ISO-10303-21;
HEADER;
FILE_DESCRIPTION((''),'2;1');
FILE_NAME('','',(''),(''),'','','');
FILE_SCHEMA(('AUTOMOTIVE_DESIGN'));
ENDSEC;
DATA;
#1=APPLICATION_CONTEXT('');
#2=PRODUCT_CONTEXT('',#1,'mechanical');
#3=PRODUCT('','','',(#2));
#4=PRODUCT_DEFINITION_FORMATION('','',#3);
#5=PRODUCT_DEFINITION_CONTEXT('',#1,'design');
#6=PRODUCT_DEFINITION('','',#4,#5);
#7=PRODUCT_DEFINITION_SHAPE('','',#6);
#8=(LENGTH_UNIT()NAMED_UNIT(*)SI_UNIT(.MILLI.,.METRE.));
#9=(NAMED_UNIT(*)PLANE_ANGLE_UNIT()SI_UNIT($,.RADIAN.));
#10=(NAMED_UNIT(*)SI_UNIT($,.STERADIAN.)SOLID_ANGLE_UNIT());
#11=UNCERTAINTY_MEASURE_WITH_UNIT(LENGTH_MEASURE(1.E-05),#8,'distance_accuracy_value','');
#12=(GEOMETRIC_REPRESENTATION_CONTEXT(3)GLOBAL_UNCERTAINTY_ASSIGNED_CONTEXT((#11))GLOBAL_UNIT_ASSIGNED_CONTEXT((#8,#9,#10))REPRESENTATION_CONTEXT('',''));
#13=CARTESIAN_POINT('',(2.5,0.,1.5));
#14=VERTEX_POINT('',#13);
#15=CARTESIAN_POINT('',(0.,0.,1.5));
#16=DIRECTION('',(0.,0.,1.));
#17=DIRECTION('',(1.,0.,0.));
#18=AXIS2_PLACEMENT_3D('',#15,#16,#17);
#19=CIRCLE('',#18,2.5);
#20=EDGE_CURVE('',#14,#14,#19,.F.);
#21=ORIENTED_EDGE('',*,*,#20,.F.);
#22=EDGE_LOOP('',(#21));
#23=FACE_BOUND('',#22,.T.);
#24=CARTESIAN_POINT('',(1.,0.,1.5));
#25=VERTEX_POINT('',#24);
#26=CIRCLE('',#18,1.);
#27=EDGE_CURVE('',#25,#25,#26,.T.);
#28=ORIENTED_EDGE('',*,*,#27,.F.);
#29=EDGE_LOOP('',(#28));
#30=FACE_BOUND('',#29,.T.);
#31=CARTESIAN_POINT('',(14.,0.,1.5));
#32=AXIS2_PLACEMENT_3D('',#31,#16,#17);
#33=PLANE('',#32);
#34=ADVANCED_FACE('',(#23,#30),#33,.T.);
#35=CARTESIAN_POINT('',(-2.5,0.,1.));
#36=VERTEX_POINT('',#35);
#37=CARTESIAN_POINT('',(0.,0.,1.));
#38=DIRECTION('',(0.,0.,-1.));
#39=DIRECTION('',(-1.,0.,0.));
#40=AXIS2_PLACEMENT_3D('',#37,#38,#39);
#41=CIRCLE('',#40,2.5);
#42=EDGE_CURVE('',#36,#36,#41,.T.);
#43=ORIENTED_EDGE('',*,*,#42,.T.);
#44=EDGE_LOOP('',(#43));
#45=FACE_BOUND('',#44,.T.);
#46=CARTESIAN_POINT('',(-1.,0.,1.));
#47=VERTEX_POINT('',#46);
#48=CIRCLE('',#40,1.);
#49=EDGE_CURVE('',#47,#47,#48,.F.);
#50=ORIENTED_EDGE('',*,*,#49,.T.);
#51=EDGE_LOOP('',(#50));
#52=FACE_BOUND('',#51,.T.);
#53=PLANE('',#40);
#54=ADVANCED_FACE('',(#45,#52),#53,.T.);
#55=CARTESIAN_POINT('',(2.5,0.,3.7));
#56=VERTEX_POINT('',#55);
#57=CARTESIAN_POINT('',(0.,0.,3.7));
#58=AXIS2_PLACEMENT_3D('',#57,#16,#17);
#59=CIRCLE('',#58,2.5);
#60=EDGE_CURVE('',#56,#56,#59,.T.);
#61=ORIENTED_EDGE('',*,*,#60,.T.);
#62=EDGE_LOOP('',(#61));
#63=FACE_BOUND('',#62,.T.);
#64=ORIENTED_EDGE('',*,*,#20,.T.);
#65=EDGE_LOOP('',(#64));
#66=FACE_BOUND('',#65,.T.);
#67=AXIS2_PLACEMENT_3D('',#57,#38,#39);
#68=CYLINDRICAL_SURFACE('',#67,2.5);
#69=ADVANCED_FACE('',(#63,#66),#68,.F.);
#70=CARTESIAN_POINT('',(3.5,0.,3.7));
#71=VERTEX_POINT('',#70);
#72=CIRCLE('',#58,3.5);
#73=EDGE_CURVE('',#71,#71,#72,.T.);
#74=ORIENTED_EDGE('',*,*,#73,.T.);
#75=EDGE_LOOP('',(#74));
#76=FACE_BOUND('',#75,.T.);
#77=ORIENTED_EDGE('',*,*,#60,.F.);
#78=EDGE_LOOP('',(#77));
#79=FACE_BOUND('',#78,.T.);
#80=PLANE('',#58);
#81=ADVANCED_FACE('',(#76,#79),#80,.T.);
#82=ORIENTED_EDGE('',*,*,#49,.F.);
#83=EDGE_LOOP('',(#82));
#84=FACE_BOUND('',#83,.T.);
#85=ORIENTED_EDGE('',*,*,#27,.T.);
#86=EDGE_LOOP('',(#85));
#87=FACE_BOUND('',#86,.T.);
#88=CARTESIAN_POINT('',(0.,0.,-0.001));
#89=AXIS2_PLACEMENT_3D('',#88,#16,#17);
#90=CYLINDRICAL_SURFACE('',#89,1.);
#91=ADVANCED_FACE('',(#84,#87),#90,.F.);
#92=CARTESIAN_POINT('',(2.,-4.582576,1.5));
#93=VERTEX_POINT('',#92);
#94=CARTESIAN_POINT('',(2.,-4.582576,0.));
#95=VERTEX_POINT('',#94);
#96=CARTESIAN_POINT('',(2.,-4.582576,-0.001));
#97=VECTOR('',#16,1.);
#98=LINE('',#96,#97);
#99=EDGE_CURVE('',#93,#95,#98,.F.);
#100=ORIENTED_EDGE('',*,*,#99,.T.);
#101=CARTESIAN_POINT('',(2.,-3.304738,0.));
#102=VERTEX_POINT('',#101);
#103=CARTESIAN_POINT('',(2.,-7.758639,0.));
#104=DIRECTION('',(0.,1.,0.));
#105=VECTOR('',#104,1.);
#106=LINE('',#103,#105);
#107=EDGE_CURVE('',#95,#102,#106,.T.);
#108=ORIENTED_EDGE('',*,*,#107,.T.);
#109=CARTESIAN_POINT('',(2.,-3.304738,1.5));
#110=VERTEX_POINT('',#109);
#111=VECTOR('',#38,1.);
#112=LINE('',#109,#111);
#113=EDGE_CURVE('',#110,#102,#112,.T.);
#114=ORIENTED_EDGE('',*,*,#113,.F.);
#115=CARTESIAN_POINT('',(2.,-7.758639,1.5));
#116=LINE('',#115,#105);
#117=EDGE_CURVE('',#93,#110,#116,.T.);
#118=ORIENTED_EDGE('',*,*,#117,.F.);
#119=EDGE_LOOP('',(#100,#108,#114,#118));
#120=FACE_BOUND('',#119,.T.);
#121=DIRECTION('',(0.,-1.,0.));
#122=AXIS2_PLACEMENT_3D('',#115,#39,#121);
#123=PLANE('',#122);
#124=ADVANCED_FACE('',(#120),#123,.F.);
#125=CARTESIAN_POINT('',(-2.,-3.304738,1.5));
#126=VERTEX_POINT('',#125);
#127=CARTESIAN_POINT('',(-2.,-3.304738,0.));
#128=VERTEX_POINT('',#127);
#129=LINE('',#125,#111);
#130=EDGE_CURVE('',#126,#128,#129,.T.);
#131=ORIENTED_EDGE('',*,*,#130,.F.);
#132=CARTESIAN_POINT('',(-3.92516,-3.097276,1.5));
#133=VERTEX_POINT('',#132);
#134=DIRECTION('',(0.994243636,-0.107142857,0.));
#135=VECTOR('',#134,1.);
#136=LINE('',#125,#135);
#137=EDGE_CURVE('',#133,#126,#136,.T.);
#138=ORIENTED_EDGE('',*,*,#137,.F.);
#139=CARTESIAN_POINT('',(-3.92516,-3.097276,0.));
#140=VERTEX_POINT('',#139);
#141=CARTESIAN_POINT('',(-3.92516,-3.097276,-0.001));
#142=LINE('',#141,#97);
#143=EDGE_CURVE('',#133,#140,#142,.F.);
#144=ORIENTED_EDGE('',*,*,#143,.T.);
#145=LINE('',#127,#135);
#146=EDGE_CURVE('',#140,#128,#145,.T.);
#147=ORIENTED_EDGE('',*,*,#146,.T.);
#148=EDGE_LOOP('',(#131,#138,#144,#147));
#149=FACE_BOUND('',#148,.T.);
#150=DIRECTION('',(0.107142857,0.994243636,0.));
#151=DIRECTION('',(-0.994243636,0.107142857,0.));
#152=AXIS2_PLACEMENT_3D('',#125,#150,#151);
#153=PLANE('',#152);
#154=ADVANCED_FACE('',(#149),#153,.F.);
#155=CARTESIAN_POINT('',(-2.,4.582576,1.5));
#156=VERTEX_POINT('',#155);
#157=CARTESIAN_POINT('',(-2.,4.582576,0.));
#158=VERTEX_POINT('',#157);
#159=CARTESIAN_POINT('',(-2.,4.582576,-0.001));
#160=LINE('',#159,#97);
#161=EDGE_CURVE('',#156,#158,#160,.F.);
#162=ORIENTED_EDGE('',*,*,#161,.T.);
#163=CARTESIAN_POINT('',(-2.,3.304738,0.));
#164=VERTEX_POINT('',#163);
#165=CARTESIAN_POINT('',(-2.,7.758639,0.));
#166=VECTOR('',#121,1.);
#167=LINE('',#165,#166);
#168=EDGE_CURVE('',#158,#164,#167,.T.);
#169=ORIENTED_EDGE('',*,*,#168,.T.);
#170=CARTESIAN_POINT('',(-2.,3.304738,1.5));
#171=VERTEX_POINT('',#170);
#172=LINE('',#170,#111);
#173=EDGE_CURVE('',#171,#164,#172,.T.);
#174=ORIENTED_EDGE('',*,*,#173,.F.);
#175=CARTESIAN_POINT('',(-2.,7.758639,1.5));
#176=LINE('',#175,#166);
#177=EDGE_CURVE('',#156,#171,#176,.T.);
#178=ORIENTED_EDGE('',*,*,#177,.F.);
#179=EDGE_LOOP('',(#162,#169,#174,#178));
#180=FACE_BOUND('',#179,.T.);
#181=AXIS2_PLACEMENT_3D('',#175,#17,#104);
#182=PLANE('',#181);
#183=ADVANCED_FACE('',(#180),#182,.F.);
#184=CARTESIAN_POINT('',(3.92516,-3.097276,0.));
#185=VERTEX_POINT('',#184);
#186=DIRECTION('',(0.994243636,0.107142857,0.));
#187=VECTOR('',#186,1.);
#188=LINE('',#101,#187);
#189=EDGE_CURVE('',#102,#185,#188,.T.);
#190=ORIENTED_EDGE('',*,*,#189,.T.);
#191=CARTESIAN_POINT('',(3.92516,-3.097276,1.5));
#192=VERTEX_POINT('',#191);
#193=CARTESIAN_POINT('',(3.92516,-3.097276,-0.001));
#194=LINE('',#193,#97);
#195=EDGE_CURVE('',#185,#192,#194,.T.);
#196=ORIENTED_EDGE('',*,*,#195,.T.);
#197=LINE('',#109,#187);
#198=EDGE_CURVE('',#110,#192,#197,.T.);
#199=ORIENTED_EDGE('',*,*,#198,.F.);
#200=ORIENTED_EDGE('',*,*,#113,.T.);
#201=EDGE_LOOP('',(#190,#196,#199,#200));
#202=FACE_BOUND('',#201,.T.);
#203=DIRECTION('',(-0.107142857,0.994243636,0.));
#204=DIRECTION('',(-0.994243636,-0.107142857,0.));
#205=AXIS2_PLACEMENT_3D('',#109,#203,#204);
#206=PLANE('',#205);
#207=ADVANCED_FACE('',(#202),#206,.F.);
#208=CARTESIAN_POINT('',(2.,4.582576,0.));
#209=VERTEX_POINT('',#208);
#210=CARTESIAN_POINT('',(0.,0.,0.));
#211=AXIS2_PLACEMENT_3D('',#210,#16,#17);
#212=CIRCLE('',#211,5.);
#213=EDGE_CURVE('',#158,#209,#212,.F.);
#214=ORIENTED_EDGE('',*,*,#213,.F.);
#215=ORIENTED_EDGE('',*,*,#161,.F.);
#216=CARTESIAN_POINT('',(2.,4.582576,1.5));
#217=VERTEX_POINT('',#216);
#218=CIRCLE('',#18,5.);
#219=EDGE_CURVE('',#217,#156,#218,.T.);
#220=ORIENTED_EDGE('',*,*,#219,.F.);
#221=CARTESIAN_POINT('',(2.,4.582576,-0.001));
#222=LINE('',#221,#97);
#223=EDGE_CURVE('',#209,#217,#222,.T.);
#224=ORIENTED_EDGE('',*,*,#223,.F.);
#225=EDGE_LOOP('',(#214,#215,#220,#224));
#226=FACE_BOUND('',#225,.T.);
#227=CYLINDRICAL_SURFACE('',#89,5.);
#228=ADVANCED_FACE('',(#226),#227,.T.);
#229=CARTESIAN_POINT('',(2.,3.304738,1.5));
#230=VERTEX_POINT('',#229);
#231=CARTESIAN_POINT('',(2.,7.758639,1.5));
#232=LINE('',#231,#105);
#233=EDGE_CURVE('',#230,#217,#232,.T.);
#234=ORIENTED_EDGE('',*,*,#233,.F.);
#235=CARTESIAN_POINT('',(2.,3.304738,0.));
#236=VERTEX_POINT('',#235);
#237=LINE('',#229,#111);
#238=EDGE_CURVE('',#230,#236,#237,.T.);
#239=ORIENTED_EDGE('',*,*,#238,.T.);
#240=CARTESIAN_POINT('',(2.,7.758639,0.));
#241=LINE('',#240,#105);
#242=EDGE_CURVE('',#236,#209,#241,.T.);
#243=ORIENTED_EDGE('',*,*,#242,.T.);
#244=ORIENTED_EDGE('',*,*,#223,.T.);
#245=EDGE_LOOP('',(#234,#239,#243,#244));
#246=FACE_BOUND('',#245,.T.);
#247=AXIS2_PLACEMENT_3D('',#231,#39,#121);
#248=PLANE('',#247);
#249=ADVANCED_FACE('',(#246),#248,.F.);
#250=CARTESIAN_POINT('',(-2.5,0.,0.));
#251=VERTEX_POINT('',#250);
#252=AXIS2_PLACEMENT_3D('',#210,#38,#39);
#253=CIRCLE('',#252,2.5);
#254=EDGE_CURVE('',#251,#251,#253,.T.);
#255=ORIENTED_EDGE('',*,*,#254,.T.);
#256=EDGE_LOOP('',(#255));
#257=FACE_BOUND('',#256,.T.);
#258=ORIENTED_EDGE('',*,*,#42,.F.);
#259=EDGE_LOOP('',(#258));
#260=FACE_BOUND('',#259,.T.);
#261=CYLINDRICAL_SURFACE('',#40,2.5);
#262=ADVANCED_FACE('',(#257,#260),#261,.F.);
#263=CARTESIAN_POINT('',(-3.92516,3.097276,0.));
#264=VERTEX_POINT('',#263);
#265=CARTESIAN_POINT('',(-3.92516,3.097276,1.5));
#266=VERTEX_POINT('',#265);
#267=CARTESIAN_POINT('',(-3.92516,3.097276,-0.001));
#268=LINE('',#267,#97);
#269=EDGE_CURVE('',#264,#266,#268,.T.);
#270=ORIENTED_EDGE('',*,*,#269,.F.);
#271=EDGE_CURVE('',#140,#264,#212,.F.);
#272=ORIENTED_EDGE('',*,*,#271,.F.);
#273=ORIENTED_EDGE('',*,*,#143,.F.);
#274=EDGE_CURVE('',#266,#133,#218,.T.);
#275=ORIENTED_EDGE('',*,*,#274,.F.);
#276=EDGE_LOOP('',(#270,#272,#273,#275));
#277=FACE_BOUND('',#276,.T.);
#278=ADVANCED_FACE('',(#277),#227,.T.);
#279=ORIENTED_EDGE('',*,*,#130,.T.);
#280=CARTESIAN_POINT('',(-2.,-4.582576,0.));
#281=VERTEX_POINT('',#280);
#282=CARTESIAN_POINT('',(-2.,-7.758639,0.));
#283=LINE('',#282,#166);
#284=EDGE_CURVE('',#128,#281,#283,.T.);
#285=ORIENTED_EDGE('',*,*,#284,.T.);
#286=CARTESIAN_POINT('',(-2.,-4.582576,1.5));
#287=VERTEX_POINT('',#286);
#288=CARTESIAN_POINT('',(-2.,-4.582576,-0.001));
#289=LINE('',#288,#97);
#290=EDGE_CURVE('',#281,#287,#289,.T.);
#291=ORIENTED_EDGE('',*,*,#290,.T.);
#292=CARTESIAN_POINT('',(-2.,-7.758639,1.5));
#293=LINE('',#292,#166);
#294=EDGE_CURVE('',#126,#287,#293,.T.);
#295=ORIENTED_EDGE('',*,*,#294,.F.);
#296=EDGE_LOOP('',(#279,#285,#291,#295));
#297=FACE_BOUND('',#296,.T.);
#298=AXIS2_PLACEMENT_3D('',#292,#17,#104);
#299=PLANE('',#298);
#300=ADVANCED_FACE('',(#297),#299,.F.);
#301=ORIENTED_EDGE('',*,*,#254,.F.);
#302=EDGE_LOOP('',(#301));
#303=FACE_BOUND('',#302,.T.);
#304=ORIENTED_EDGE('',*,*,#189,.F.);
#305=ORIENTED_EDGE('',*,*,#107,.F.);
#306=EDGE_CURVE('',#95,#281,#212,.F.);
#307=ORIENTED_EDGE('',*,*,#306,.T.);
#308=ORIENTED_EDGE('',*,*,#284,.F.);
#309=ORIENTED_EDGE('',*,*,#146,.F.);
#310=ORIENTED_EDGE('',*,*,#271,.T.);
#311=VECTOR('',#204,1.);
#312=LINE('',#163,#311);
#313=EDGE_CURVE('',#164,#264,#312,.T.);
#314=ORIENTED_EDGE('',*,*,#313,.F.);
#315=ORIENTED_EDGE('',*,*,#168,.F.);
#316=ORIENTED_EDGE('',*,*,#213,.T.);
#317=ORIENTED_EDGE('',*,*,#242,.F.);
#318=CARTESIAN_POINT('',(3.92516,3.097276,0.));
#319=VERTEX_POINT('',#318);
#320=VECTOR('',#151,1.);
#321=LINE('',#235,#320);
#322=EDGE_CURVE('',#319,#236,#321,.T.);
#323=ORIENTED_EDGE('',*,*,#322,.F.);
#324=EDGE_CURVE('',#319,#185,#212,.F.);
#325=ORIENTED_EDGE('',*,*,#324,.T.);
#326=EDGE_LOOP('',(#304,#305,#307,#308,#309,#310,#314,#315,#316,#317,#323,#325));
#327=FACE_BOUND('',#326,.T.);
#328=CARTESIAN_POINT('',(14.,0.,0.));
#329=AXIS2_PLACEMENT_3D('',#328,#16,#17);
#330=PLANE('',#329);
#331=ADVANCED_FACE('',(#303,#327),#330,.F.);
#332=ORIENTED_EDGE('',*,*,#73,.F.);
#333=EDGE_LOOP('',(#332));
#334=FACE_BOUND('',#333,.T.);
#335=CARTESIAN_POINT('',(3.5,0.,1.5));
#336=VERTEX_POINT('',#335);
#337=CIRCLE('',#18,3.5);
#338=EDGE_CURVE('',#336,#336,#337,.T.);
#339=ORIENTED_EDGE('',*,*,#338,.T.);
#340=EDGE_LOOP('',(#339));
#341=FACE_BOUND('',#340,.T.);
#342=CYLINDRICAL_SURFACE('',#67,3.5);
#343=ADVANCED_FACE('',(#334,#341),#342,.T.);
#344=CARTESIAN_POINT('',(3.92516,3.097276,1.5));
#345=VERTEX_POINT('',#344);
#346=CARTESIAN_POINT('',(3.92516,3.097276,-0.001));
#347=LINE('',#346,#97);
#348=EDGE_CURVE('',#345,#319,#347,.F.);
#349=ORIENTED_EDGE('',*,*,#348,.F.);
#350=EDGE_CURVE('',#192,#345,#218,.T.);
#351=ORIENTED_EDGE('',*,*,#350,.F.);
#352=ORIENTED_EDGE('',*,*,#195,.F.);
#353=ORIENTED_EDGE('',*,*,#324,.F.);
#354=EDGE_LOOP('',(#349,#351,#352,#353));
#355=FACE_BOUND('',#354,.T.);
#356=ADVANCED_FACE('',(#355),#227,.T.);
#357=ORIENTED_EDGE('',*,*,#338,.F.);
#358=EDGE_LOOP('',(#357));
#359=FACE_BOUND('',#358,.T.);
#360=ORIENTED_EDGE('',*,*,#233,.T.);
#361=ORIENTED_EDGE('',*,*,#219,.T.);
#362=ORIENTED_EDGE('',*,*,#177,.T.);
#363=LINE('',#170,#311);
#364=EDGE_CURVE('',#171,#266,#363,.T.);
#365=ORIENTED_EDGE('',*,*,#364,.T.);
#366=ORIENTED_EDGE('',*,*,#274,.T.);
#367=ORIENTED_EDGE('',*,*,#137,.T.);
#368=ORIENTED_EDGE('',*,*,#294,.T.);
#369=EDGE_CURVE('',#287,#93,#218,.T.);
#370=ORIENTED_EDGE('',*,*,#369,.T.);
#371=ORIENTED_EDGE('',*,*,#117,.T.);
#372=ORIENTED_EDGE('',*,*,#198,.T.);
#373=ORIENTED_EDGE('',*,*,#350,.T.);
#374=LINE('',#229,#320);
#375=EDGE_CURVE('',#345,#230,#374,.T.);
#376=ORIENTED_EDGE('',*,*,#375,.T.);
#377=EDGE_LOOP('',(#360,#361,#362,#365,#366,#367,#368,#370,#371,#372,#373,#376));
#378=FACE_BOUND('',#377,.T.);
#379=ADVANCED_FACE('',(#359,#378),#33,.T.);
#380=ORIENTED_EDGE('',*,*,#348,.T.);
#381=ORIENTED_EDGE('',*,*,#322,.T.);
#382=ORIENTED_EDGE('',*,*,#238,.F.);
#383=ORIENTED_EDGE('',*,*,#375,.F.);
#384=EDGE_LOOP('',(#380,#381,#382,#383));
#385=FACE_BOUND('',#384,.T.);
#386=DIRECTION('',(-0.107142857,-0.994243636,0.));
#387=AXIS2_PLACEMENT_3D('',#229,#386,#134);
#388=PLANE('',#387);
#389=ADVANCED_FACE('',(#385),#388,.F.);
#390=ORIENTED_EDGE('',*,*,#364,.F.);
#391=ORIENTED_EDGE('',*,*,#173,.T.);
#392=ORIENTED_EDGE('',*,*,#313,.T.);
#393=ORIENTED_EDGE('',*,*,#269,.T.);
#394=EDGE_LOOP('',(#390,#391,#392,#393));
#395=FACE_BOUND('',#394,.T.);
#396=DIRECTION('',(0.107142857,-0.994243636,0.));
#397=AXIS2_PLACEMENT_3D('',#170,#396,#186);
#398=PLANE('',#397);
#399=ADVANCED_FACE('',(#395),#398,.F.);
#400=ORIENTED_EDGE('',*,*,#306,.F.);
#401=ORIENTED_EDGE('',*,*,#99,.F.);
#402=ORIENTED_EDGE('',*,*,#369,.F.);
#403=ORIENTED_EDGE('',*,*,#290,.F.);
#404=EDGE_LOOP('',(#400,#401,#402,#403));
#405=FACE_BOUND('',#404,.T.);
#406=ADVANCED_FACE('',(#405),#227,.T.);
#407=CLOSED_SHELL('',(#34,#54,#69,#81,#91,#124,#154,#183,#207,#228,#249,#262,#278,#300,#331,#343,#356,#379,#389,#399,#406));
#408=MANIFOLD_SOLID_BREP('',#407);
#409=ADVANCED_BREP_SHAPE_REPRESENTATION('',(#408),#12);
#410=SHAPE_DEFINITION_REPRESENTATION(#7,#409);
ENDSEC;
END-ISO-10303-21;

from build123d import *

# Parameters (mm, degrees)
BOSS_EXTRUDE1_DEPTH = 1.5
SKETCH2_R           = 3.5
SKETCH2_R_2         = 2.5
BOSS_EXTRUDE2_DEPTH = 2.2
CUT_EXTRUDE1_REACH  = 20.87
SKETCH3_R           = 1
SKETCH4_R           = 2.5
CUT_EXTRUDE2_DEPTH  = 1
CUT_EXTRUDE4_START  = -1.5
SKETCH5_R           = 17.5
SKETCH5_R_2         = 5
CUT_EXTRUDE4_DEPTH  = 1.5


with BuildPart() as part:
    # Sketch1 → Boss-Extrude1 (new body)
    with BuildSketch(Plane.XY):
        with BuildLine():
            Line((2, 7.75863865), (2, 3.304737557))
            Line((2, 3.304737557), (14.214285714, 1.988487272))
            ThreePointArc((14.214285714, 1.988487272), (16, 0), (14.214285714, -1.988487272))
            Line((14.214285714, -1.988487272), (2, -3.304737557))
            Line((2, -3.304737557), (2, -7.75863865))
            ThreePointArc((2, -7.75863865), (0, -9.75863865), (-2, -7.75863865))
            Line((-2, -7.75863865), (-2, -3.304737557))
            Line((-2, -3.304737557), (-14.214285714, -1.988487272))
            ThreePointArc((-14.214285714, -1.988487272), (-16, 0), (-14.214285714, 1.988487272))
            Line((-14.214285714, 1.988487272), (-2, 3.304737557))
            Line((-2, 3.304737557), (-2, 7.75863865))
            ThreePointArc((-2, 7.75863865), (0, 9.75863865), (2, 7.75863865))
        make_face()
    extrude(amount=BOSS_EXTRUDE1_DEPTH)

    # Sketch2 → Boss-Extrude2 (add)
    with BuildSketch(Plane.XY.offset(1.5)):
        Circle(SKETCH2_R)
        Circle(SKETCH2_R_2, mode=Mode.SUBTRACT)
    extrude(amount=BOSS_EXTRUDE2_DEPTH)

    # Sketch3 → Cut-Extrude1 (cut, up to next)
    with BuildSketch(Plane.XY.offset(1.5), mode=Mode.PRIVATE) as cut_extrude1_sk1:
        Circle(SKETCH3_R)
    cut_extrude1_tool1 = extrude(cut_extrude1_sk1.sketch, amount=-CUT_EXTRUDE1_REACH, mode=Mode.PRIVATE) & part.part
    add(cut_extrude1_tool1.solids().sort_by_distance((0, 0, 1.5))[0], mode=Mode.SUBTRACT)

    # Sketch4 → Cut-Extrude2 (cut)
    with BuildSketch(Plane(origin=(0, 0, 0), x_dir=(-1, 0, 0), z_dir=(0, 0, -1))):
        with Locations(Location((0, 0, 0), (0, 0, 180))):
            Circle(SKETCH4_R)
    extrude(amount=-CUT_EXTRUDE2_DEPTH, mode=Mode.SUBTRACT)

    # Sketch5 → Cut-Extrude4 (cut)
    with BuildSketch(Plane.XY.offset(1.5).offset(CUT_EXTRUDE4_START)):
        Circle(SKETCH5_R)
        Circle(SKETCH5_R_2, mode=Mode.SUBTRACT)
    extrude(amount=CUT_EXTRUDE4_DEPTH, mode=Mode.SUBTRACT)


solid = part.part
